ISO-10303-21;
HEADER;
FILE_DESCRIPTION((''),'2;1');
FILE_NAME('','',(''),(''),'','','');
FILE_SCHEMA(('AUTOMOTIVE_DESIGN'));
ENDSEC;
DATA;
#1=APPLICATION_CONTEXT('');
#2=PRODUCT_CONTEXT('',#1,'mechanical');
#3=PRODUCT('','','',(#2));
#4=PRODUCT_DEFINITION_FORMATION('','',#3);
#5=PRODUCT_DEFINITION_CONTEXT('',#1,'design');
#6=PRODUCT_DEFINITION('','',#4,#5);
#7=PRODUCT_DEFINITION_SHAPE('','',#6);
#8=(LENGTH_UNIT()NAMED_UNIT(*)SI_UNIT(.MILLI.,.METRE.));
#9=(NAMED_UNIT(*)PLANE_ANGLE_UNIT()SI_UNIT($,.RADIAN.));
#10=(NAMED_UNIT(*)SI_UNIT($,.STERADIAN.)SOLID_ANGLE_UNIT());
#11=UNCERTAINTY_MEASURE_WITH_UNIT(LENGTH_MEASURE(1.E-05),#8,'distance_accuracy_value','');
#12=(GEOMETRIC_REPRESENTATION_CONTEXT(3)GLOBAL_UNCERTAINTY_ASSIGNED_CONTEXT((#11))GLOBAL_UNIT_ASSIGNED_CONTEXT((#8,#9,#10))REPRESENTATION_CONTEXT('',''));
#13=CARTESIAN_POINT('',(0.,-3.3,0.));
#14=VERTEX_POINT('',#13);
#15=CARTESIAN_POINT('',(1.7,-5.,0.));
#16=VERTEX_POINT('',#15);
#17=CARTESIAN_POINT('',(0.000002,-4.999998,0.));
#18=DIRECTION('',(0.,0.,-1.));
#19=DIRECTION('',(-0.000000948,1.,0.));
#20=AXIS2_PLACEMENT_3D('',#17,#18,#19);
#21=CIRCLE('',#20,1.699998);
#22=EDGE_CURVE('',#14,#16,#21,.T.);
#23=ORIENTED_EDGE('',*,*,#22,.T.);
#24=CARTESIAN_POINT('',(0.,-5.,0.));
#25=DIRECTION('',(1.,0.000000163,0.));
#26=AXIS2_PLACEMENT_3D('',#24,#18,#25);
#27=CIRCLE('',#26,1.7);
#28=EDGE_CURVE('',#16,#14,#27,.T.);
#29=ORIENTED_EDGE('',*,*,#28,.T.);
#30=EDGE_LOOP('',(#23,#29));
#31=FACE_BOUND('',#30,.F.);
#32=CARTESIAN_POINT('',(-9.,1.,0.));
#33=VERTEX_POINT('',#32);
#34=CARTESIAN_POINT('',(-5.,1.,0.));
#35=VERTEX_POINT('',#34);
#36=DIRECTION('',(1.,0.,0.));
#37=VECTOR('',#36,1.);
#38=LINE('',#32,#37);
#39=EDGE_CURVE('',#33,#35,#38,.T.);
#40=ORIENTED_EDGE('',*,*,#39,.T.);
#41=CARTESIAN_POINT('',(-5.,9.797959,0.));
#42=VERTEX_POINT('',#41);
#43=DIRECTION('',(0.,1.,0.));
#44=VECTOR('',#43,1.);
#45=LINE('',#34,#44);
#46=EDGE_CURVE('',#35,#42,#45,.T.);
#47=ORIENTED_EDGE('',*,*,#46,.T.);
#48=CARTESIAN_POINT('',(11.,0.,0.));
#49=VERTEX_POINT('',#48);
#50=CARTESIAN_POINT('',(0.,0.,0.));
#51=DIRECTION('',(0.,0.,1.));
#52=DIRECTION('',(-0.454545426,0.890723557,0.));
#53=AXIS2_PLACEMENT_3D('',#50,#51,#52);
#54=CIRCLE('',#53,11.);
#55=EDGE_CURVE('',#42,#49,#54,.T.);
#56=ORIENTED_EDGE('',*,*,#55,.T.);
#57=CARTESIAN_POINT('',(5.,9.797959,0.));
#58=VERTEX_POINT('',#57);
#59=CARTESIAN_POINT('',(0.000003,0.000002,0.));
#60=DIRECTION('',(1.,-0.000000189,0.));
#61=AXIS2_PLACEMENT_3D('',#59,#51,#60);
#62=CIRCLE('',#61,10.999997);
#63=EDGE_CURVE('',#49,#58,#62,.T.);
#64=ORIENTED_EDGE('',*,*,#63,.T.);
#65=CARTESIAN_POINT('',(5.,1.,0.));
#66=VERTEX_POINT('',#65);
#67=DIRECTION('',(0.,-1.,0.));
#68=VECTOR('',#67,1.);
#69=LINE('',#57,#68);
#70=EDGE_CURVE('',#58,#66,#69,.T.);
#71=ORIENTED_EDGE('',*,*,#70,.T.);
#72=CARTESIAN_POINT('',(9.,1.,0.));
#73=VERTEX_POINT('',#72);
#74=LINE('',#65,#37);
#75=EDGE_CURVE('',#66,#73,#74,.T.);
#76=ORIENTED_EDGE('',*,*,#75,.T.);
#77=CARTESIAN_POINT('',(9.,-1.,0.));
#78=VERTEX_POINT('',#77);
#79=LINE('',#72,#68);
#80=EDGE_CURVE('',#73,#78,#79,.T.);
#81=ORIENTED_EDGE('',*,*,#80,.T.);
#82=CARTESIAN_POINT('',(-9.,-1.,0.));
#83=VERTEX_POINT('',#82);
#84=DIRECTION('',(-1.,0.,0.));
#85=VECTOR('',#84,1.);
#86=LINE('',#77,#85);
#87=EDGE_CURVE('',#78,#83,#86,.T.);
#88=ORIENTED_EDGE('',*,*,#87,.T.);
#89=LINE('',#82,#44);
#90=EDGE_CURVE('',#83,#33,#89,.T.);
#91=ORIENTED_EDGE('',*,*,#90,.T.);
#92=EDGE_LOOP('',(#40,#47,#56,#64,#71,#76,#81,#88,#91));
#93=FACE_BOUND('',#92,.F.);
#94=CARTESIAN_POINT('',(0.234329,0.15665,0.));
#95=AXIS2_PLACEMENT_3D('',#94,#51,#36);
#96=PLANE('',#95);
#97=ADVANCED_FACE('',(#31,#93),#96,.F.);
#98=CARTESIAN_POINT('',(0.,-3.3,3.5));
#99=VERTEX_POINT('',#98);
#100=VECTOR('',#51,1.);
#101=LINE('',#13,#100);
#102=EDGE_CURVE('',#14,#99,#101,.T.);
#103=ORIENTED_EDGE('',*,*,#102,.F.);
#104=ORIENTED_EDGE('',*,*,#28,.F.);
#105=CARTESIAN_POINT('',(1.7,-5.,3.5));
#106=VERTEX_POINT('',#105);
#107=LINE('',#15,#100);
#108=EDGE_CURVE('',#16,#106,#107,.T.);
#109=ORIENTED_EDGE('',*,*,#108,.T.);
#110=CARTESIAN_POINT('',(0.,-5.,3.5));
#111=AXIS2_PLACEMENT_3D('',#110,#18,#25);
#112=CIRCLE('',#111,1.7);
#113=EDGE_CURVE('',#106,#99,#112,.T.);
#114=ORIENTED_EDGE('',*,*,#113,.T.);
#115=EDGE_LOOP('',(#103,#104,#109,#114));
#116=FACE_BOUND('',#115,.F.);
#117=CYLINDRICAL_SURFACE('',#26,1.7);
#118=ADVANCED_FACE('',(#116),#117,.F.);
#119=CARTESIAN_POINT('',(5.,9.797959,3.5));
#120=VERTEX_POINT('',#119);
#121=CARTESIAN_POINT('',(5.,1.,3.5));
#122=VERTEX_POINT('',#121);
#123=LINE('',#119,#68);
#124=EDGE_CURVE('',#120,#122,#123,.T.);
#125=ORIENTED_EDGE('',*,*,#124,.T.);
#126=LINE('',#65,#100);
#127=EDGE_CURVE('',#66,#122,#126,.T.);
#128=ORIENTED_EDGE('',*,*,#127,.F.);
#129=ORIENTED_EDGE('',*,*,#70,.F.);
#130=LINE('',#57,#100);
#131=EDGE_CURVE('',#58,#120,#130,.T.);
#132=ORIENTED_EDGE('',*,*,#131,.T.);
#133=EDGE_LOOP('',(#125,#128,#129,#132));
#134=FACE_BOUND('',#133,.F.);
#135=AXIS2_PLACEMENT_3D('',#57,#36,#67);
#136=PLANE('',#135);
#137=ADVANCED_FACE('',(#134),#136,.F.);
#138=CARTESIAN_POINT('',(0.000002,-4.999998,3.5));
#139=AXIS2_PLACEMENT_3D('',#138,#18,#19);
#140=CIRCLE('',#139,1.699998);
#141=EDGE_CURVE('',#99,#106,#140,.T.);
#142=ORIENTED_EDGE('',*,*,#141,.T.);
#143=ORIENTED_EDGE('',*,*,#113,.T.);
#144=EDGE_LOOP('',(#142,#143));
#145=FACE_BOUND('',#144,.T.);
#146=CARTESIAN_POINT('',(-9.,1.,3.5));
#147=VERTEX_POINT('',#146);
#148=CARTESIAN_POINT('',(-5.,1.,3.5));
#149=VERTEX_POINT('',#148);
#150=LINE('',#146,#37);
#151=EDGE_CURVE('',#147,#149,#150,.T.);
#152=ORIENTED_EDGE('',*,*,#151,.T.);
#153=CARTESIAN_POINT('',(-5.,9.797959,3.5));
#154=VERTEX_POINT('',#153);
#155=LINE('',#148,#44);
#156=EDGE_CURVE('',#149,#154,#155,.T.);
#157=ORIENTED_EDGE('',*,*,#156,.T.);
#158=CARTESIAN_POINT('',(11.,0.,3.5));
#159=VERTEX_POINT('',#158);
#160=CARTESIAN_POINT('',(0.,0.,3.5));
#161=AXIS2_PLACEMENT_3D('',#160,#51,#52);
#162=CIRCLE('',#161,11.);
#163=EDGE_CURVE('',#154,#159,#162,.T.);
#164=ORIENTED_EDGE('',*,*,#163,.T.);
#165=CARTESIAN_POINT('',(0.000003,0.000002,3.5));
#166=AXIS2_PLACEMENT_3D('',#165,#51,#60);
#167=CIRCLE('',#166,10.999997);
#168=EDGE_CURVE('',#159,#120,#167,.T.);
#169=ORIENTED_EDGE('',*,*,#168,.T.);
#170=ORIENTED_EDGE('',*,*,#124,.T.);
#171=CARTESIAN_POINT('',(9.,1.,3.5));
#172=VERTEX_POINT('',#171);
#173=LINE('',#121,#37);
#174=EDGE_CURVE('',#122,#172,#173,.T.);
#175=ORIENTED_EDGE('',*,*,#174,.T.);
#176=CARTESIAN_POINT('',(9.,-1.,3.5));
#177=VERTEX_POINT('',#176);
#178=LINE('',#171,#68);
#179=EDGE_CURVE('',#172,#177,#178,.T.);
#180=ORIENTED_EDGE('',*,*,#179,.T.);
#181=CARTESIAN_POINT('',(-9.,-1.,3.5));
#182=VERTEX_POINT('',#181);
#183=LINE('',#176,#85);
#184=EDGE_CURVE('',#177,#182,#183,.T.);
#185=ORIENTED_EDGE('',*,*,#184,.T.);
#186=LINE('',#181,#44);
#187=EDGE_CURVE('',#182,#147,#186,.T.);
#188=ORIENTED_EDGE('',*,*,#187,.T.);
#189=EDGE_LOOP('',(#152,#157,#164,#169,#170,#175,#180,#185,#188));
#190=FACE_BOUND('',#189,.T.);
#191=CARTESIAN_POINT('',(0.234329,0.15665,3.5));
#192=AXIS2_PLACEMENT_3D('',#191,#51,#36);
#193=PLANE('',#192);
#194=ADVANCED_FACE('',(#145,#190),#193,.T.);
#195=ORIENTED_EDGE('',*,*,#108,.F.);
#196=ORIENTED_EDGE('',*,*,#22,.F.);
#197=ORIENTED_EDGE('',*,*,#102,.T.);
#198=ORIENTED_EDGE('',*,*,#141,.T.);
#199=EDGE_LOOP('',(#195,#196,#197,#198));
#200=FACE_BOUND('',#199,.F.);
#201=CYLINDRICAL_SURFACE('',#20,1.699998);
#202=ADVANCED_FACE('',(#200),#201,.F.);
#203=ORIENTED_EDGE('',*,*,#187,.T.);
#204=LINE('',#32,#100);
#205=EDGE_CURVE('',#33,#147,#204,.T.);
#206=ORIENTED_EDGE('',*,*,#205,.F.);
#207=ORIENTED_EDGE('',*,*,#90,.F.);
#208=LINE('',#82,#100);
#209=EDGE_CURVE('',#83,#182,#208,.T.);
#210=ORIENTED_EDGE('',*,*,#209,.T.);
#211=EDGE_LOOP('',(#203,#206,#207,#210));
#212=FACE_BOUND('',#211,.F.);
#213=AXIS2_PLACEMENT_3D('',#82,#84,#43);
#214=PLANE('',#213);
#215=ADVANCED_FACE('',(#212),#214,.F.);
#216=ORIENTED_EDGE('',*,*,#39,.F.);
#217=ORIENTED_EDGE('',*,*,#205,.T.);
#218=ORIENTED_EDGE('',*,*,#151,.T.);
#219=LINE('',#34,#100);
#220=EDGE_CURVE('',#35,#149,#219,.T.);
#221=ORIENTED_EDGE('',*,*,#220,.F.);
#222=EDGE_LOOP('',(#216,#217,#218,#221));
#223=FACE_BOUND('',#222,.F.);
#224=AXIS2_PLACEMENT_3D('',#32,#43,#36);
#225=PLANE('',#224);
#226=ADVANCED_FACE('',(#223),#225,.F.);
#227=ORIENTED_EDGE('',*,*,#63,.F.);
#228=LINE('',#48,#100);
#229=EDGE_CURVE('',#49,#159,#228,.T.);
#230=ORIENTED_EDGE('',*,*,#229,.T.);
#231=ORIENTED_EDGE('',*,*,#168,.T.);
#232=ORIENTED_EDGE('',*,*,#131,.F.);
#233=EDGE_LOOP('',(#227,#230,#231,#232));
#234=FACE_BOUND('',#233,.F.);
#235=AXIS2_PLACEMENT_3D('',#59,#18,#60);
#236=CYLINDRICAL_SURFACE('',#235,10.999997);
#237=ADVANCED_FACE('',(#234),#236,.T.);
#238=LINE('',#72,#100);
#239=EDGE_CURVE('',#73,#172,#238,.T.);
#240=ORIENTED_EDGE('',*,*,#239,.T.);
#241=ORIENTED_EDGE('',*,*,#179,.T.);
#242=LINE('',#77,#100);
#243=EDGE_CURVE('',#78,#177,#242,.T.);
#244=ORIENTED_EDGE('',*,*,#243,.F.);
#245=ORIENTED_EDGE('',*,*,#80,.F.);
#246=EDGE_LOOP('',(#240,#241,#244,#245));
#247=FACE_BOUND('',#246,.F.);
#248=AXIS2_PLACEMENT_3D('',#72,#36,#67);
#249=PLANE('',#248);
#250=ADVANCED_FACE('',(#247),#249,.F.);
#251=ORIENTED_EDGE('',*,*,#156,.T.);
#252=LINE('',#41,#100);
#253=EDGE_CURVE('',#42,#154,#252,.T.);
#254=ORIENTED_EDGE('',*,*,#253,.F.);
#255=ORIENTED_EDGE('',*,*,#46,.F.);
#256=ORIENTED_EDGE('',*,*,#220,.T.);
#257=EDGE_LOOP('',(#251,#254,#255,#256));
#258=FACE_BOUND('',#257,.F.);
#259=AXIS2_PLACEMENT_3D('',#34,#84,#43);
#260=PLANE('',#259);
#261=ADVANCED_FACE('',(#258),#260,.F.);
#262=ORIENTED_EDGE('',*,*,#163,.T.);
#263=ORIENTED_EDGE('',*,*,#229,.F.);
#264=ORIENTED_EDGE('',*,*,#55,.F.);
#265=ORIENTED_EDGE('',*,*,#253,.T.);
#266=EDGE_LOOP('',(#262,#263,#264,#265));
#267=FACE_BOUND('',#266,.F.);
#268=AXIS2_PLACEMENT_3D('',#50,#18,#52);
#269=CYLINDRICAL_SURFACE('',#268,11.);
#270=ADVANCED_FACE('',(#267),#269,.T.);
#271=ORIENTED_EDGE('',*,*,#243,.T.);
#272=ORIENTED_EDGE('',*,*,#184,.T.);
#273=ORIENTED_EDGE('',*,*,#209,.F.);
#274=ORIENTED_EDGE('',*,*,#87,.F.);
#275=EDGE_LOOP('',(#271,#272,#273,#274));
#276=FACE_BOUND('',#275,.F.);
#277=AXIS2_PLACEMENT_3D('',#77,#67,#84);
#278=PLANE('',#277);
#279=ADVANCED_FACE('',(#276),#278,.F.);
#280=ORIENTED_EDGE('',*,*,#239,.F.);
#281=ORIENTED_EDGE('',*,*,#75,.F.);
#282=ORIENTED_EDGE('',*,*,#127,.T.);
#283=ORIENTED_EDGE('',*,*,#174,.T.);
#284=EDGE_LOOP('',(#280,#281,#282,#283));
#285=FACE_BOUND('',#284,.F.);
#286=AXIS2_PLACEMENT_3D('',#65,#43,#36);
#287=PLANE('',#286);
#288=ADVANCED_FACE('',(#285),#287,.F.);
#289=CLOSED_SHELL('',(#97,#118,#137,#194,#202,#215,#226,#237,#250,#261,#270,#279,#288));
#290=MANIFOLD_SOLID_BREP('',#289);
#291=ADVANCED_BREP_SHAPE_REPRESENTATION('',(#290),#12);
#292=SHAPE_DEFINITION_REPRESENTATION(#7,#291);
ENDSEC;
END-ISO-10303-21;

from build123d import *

# Parameters (mm, degrees)
F1_DEPTH = 3.5


with BuildPart() as f1:
    # F0 (on Top) → F1 (new body)
    with BuildSketch(Plane.XY):
        with BuildLine():
            ThreePointArc((-5, 9.797959), (-5.744563, -9.380832), (11, 0))
            ThreePointArc((11, 0), (9.380832, 5.744563), (5, 9.797959))
            Line((5, 9.797959), (5, 1))
            Line((5, 1), (9, 1))
            Line((9, 1), (9, -1))
            Line((9, -1), (0, -1))
            Line((0, -1), (-9, -1))
            Line((-9, -1), (-9, 1))
            Line((-9, 1), (-5, 1))
            Line((-5, 1), (-5, 9.797959))
        make_face()
        with BuildLine():
            ThreePointArc((1.7, -5), (-1.202082, -6.202082), (0, -3.3))
            ThreePointArc((0, -3.3), (1.202082, -3.797918), (1.7, -5))
        make_face(mode=Mode.SUBTRACT)
    extrude(amount=F1_DEPTH)


solid = f1.part
